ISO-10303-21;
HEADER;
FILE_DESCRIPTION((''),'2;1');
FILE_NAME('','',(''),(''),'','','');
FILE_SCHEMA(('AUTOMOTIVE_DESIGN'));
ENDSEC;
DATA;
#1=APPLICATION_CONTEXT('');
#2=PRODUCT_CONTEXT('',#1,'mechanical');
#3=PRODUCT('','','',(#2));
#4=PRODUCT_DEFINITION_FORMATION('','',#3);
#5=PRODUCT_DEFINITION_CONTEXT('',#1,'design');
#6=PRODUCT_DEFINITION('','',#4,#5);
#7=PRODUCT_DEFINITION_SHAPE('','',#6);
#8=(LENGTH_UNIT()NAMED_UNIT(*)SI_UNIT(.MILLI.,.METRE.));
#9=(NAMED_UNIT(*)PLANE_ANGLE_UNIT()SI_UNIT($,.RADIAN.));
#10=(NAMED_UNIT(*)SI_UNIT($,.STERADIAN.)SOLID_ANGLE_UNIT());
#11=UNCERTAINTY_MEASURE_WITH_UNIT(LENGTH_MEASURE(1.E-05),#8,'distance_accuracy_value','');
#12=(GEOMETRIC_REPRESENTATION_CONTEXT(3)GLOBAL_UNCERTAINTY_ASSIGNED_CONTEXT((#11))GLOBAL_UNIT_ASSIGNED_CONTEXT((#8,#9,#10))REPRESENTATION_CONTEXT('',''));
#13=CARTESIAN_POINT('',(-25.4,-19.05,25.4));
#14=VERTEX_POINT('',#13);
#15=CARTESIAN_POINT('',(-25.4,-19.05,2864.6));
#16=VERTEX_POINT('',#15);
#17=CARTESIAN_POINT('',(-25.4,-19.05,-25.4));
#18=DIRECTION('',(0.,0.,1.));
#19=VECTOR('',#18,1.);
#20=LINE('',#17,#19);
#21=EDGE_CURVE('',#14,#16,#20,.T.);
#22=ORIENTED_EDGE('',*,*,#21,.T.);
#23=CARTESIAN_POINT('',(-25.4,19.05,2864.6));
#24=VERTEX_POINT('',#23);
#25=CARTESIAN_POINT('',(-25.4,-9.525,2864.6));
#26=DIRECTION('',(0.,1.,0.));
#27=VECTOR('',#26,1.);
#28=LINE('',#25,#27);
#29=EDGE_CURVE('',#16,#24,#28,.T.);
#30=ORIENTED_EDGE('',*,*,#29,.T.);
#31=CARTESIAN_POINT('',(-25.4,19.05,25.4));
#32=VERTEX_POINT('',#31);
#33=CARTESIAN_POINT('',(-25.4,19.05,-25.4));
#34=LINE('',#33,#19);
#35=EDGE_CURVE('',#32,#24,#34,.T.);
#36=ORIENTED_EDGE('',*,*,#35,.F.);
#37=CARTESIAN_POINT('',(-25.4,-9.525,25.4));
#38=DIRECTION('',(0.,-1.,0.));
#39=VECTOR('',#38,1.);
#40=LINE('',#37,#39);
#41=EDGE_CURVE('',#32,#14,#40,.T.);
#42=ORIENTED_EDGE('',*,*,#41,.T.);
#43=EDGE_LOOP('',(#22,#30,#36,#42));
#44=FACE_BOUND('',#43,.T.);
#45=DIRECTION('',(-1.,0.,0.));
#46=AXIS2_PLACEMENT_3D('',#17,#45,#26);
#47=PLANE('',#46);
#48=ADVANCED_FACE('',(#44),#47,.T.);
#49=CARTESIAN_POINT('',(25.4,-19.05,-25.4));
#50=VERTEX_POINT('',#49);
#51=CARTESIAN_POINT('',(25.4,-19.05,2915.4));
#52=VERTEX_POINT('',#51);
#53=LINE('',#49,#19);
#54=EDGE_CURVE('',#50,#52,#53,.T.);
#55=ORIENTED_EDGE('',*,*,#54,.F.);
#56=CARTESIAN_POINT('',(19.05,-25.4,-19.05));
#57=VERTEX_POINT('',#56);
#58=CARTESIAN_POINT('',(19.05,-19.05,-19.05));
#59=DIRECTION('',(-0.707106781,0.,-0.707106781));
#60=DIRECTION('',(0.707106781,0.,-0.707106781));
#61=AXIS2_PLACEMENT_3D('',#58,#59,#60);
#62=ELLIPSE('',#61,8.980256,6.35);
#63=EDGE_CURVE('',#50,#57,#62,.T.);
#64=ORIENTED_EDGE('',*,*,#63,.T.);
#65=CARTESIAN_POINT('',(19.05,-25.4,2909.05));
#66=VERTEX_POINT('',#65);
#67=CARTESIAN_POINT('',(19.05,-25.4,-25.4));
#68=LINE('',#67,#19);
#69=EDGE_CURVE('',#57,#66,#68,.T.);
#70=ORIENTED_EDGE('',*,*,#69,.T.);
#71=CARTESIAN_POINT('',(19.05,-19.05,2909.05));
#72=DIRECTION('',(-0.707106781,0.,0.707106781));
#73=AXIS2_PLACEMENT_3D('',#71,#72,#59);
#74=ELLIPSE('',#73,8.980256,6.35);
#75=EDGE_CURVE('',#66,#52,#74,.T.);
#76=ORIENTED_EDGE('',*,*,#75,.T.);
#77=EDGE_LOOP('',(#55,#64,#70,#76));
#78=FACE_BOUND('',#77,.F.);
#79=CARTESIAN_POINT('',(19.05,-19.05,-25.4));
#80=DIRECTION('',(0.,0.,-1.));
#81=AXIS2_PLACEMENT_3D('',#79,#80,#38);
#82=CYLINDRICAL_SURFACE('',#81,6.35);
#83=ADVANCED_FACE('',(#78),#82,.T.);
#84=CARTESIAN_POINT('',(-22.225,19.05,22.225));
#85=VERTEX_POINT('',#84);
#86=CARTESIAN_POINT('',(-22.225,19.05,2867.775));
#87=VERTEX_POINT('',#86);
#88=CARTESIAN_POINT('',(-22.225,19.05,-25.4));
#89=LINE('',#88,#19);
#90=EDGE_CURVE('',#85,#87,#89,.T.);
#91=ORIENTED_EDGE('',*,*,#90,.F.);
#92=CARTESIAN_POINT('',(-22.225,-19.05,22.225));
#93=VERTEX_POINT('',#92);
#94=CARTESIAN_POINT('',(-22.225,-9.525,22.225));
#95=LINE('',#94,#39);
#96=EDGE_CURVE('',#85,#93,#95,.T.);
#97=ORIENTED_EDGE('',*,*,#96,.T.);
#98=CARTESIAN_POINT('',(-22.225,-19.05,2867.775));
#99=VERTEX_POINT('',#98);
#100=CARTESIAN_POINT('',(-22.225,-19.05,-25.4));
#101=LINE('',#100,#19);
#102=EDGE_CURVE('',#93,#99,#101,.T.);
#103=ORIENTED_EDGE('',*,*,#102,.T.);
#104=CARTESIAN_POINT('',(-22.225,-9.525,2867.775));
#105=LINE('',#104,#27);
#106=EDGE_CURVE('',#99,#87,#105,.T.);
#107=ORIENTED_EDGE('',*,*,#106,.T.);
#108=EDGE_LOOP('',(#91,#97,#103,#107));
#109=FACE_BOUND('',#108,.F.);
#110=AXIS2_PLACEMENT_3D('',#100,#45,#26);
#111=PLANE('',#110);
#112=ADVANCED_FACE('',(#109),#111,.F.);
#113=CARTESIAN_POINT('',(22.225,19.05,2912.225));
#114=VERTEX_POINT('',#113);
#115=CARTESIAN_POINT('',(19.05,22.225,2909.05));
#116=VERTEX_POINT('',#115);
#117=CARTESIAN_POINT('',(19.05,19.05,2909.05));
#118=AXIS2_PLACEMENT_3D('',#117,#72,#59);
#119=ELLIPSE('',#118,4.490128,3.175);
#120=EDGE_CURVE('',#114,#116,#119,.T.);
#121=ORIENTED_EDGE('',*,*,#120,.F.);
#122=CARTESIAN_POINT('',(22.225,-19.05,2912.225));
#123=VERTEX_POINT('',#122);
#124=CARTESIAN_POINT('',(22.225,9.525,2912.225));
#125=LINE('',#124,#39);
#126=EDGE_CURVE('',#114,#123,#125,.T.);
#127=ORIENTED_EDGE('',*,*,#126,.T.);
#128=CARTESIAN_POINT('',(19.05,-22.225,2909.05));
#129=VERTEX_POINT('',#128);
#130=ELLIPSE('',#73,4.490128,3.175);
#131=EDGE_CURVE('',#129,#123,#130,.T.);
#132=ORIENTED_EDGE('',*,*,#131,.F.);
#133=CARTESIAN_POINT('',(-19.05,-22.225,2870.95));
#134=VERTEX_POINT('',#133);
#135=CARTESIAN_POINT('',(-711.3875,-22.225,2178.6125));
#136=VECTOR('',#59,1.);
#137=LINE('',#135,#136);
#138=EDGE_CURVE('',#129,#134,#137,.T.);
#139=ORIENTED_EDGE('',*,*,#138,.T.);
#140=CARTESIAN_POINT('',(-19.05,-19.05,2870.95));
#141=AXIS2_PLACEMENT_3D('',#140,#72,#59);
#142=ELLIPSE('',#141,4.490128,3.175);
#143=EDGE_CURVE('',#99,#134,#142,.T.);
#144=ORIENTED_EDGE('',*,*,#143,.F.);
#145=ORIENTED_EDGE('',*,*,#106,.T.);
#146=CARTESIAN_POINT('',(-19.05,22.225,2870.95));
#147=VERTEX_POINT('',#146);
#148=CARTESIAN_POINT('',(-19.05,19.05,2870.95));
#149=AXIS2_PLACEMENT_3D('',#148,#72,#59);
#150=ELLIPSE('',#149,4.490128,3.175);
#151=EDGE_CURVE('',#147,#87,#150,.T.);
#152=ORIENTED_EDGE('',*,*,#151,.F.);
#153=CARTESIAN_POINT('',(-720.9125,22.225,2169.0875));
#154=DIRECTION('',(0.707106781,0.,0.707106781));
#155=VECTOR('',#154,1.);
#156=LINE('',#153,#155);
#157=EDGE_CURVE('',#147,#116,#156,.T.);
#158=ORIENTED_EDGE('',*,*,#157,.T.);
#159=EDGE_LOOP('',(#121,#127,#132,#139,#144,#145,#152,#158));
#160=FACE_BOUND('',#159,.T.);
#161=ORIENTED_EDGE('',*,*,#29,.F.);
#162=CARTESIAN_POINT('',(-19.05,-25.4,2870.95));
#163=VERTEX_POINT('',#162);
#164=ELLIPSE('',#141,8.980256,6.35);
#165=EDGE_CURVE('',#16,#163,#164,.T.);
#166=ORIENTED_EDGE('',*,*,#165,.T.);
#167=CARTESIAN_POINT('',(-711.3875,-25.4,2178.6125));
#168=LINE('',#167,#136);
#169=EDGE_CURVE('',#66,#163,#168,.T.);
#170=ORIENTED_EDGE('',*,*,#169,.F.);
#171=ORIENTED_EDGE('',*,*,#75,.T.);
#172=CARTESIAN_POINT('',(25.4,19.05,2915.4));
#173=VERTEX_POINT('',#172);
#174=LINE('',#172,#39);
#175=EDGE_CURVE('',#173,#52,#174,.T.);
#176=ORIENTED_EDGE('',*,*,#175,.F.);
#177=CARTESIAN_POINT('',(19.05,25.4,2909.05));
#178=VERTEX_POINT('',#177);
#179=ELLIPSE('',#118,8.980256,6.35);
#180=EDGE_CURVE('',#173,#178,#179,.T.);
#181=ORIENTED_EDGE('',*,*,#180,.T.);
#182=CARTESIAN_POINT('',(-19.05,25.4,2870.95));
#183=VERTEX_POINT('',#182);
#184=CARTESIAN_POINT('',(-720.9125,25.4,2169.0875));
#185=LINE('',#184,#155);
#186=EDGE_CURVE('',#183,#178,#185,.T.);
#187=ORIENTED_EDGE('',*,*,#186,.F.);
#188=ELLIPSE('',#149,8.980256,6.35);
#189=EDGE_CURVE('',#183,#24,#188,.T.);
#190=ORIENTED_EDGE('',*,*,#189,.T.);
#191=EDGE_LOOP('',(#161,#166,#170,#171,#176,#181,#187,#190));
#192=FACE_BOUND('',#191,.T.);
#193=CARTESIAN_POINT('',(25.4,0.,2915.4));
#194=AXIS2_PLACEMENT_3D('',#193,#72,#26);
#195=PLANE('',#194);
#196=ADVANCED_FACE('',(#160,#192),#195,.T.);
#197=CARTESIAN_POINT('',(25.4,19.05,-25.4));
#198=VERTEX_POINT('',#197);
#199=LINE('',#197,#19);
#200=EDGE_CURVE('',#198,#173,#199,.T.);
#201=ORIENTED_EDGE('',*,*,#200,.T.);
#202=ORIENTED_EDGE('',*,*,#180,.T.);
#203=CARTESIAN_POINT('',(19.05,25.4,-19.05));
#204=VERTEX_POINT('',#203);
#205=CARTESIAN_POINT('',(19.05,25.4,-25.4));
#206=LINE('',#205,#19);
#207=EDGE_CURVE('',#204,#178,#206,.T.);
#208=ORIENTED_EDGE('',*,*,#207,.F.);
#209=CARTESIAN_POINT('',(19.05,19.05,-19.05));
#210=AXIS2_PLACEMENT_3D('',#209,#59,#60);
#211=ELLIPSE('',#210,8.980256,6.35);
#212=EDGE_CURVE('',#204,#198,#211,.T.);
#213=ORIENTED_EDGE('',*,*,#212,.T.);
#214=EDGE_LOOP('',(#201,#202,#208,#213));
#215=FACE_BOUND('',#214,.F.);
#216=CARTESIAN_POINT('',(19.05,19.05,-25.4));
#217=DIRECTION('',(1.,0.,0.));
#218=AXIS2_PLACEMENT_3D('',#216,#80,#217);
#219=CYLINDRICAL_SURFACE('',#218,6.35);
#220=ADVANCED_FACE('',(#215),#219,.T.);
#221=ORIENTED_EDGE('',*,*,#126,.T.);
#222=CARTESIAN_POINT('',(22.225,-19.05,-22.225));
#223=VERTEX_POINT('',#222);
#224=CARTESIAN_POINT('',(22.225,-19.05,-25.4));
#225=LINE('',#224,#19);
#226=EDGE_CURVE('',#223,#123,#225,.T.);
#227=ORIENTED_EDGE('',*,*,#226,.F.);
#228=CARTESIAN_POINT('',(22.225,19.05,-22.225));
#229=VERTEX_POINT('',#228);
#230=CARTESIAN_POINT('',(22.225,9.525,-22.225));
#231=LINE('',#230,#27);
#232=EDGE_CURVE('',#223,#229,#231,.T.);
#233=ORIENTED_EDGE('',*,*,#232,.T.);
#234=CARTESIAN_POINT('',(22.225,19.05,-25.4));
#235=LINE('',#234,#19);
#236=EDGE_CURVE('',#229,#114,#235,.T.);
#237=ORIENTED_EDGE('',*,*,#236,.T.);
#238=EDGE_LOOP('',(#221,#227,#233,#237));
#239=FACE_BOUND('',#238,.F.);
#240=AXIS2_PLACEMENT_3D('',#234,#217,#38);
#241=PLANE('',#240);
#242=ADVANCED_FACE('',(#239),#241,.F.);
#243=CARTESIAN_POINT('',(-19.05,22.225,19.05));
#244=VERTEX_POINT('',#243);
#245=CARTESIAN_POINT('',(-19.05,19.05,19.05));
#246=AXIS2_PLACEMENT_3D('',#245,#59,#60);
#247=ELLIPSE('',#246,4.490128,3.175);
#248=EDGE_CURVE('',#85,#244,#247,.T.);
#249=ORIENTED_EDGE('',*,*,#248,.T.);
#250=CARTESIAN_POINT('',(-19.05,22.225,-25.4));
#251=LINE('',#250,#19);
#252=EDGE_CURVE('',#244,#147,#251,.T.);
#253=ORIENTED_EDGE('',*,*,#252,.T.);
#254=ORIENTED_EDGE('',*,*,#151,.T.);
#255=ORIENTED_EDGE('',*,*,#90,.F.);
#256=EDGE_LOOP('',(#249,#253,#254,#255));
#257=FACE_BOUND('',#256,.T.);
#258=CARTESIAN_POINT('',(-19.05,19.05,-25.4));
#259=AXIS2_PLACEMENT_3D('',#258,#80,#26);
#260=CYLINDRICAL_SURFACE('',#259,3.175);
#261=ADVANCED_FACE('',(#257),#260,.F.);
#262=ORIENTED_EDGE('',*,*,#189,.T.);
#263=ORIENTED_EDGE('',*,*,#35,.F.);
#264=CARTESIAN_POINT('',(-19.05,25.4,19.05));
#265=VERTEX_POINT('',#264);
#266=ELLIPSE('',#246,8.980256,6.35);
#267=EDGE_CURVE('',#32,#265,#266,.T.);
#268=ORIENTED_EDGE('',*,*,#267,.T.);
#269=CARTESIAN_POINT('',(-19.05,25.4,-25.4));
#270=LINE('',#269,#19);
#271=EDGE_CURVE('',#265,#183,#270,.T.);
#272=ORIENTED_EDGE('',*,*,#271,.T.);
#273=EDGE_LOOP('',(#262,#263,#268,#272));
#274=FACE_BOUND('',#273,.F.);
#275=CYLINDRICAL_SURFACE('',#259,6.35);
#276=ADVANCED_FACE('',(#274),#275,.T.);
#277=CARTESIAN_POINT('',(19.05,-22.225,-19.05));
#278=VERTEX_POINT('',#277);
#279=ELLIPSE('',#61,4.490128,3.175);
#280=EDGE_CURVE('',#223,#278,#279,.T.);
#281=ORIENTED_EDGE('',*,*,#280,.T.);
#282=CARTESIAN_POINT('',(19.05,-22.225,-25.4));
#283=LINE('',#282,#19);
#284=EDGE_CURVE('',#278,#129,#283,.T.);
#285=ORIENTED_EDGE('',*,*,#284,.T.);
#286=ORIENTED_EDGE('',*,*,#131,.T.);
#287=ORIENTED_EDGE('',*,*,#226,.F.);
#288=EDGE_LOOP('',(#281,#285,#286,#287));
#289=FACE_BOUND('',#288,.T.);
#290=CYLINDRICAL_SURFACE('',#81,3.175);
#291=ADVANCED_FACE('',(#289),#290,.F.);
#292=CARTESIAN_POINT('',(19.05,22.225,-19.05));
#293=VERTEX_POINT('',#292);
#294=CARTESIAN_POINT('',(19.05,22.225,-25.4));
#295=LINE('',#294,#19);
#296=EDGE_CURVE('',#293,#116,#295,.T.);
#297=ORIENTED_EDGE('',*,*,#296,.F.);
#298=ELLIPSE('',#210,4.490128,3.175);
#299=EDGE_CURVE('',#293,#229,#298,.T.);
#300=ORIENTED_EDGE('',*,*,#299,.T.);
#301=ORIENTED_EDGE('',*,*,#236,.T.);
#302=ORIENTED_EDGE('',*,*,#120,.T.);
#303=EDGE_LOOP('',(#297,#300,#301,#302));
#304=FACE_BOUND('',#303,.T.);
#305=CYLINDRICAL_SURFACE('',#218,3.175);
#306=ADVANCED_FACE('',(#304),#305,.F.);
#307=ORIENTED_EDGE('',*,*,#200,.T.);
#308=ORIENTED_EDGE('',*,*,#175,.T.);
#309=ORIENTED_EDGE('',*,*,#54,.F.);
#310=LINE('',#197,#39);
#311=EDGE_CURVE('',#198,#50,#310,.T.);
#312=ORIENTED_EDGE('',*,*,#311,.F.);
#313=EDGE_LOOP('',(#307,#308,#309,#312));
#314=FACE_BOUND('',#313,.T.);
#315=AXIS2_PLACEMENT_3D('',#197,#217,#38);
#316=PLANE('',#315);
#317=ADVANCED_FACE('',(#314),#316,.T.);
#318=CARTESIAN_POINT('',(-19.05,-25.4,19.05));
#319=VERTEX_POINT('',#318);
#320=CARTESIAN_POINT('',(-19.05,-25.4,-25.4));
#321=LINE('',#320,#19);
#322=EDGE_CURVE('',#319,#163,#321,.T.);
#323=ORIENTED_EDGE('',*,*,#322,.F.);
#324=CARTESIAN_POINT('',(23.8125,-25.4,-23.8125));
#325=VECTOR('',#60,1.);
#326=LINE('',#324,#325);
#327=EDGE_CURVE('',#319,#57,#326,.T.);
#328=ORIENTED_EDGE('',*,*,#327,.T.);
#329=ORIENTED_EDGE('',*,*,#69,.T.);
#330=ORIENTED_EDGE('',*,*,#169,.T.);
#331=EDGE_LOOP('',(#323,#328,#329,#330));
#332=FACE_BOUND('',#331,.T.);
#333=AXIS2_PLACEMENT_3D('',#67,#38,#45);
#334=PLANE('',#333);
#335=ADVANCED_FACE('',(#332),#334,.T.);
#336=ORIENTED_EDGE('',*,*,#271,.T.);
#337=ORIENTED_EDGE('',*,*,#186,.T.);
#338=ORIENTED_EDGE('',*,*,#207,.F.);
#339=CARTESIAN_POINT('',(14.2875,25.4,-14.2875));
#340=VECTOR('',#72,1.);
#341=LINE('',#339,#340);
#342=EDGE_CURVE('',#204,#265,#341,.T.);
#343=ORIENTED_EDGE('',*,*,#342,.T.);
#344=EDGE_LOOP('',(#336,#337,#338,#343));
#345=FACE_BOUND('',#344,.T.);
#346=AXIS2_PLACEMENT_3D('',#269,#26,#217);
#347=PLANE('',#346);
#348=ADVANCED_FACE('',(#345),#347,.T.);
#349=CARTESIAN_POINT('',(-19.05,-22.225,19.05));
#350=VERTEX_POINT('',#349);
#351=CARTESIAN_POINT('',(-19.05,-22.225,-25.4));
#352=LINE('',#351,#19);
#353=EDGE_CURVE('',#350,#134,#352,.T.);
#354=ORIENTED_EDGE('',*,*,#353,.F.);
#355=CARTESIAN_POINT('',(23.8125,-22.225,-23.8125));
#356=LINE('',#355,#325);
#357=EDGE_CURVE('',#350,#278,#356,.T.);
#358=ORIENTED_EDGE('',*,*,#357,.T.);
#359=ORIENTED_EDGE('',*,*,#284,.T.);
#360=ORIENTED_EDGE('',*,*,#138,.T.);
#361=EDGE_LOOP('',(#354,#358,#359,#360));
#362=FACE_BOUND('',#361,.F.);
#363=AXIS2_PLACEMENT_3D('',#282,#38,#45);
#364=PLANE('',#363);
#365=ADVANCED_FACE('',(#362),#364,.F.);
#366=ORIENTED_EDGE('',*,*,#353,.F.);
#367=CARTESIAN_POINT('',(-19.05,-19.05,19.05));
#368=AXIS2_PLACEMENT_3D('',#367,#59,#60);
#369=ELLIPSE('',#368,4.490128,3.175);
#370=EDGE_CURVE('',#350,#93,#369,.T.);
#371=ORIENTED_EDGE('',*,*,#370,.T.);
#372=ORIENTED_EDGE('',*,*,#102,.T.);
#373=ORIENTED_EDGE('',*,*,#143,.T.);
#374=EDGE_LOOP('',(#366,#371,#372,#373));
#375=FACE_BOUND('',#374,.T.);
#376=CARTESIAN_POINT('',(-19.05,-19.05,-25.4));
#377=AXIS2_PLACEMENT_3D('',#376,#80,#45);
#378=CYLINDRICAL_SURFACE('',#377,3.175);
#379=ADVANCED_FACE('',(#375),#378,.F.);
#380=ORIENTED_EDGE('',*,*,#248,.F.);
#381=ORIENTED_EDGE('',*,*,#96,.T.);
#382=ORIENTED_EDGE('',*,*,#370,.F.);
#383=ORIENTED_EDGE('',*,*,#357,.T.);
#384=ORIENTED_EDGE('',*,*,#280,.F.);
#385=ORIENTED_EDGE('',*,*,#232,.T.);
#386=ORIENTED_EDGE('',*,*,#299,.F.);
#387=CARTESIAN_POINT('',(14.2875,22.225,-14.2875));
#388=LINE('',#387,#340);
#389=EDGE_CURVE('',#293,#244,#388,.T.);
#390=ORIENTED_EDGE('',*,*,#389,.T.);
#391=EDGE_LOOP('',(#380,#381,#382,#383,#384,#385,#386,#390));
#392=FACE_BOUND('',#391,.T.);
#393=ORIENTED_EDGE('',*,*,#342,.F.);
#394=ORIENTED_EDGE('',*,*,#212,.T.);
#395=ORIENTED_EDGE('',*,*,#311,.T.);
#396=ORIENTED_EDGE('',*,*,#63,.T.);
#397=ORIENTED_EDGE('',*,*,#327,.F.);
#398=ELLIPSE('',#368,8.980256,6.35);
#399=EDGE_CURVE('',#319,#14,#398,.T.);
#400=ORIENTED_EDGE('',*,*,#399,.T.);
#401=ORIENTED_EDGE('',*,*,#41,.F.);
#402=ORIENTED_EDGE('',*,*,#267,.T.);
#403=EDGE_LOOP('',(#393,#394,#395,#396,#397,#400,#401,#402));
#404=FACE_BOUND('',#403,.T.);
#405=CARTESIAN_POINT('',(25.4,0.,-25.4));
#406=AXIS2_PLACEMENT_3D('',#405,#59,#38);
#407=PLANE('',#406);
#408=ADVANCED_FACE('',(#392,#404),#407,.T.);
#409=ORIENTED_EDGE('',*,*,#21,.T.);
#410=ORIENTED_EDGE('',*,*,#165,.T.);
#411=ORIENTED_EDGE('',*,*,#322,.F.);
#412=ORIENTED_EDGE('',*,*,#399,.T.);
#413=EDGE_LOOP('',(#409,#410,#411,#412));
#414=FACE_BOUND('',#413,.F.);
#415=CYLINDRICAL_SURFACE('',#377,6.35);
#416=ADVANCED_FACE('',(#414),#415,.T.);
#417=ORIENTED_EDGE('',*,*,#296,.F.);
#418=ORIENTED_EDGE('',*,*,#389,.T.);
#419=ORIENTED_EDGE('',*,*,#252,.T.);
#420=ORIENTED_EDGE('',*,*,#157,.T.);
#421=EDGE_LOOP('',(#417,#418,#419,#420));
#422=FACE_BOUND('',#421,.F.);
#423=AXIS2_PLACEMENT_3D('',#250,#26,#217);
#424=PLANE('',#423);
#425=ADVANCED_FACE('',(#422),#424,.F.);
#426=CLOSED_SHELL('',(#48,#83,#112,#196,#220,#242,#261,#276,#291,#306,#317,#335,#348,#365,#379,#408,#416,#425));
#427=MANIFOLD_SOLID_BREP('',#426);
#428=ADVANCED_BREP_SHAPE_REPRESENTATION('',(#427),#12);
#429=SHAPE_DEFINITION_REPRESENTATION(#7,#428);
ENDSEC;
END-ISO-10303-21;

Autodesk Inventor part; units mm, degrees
ref_plane "Plano inicial" through (0, 0, -25.4) normal (0, 0, 1) x (1, 0, 0)
ref_plane "Plano final" through (0, 0, 2915.4) normal (0, 0, 1) x (1, 0, 0)
sketch "Boceto" plane through (0, 0, 0) normal (0, 0, 1) x (1, 0, 0)
  line L0 (-25.4, -19.05) -> (-25.4, 19.05)
  line L1 (-19.05, 25.4) -> (19.05, 25.4)
  line L2 (25.4, 19.05) -> (25.4, -19.05)
  line L3 (19.05, -25.4) -> (-19.05, -25.4)
  arc A0 (-25.4, -19.05) -> (-19.05, -25.4) centre (-19.05, -19.05) ccw
  arc A1 (-19.05, 25.4) -> (-25.4, 19.05) centre (-19.05, 19.05) ccw
  arc A2 (25.4, 19.05) -> (19.05, 25.4) centre (19.05, 19.05) ccw
  arc A3 (19.05, -25.4) -> (25.4, -19.05) centre (19.05, -19.05) ccw
  arc A4 (-19.05, 22.225) -> (-22.225, 19.05) centre (-19.05, 19.05) ccw
  line L4 (-19.05, 22.225) -> (19.05, 22.225)
  arc A5 (22.225, 19.05) -> (19.05, 22.225) centre (19.05, 19.05) ccw
  line L5 (22.225, 19.05) -> (22.225, -19.05)
  arc A6 (19.05, -22.225) -> (22.225, -19.05) centre (19.05, -19.05) ccw
  line L6 (19.05, -22.225) -> (-19.05, -22.225)
  arc A7 (-22.225, -19.05) -> (-19.05, -22.225) centre (-19.05, -19.05) ccw
  line L7 (-22.225, -19.05) -> (-22.225, 19.05)
  line L8 (0, 37.4012) -> (0, -37.4012) construction
  line L9 (-37.4012, 0) -> (37.4012, 0) construction
  dimension "d10" = 50.8
  dimension "d11" = 50.8
  dimension "d12" = 3.175
  dimension "d15" = 25.4
  dimension "d16" = 25.4
  dimension "d17" = 6.35
extrude "Cuerpo" add sketch "Boceto" along normal up to surface (2940.8 mm away) from surface at -25.4
sketch "Sketch3" plane through (0, 0, 0) normal (0, 0, 1) x (1, 0, 0)
  line L0 (0, 0) -> (10, 0)
ref_plane "Work Plane3" through (0, 0, 0) normal (0, -1, 0) x (1, 0, 0)
ref_plane "Plano de trabajo4" through (25.4, 0, 2915.4) normal (-0.7071, 0, 0.7071) x (0.7071, 0, 0.7071)
split "Dividir1" plane through (25.4, 0, 2915.4) removes the side toward (-0.7071, 0, 0.7071)
ref_plane "Plano de trabajo5" through (25.4, 0, -25.4) normal (-0.7071, 0, -0.7071) x (-0.7071, 0, 0.7071)
split "Dividir2" plane through (25.4, 0, -25.4) removes the side toward (-0.7071, 0, -0.7071)
sketch "Sketch4" plane through (0, 0, 0) normal (0, -1, 0) x (1, 0, 0)
  line L0 (-2, -25.4) -> (12, -25.4) projected
  line L1 (-2, 2915.4) -> (12, 2915.4) projected
  dimension "d19" = 2940.8
equation "\"d10\" = G_H"
equation "\"d11\" = G_W"
equation "\"d12\" = G_T"
equation "\"d15\" = 0.5 * d10"
equation "\"d16\" = 0.5 * d11"
equation "\"d17\" = G_IR"
equation "\"d3\" = G_L"
equation "\"G_W\" = 50.8"
equation "\"G_H\" = 50.8"
equation "\"G_T\" = 3.175"
equation "\"G_IR\" = 6.35"
equation "\"G_L\" = d19"
equation "\"G_OFFSET_START\" = 25.4"
equation "\"G_OFFSET_END\" = 25.4"
equation "\"d13\" = -G_OFFSET_START"
equation "\"d14\" = G_OFFSET_END + B_L"
equation "\"B_L\" = 2890"
properties part number "AISC - 2 x 2 x 1/8 - 115,78" material "Acero, suave"
